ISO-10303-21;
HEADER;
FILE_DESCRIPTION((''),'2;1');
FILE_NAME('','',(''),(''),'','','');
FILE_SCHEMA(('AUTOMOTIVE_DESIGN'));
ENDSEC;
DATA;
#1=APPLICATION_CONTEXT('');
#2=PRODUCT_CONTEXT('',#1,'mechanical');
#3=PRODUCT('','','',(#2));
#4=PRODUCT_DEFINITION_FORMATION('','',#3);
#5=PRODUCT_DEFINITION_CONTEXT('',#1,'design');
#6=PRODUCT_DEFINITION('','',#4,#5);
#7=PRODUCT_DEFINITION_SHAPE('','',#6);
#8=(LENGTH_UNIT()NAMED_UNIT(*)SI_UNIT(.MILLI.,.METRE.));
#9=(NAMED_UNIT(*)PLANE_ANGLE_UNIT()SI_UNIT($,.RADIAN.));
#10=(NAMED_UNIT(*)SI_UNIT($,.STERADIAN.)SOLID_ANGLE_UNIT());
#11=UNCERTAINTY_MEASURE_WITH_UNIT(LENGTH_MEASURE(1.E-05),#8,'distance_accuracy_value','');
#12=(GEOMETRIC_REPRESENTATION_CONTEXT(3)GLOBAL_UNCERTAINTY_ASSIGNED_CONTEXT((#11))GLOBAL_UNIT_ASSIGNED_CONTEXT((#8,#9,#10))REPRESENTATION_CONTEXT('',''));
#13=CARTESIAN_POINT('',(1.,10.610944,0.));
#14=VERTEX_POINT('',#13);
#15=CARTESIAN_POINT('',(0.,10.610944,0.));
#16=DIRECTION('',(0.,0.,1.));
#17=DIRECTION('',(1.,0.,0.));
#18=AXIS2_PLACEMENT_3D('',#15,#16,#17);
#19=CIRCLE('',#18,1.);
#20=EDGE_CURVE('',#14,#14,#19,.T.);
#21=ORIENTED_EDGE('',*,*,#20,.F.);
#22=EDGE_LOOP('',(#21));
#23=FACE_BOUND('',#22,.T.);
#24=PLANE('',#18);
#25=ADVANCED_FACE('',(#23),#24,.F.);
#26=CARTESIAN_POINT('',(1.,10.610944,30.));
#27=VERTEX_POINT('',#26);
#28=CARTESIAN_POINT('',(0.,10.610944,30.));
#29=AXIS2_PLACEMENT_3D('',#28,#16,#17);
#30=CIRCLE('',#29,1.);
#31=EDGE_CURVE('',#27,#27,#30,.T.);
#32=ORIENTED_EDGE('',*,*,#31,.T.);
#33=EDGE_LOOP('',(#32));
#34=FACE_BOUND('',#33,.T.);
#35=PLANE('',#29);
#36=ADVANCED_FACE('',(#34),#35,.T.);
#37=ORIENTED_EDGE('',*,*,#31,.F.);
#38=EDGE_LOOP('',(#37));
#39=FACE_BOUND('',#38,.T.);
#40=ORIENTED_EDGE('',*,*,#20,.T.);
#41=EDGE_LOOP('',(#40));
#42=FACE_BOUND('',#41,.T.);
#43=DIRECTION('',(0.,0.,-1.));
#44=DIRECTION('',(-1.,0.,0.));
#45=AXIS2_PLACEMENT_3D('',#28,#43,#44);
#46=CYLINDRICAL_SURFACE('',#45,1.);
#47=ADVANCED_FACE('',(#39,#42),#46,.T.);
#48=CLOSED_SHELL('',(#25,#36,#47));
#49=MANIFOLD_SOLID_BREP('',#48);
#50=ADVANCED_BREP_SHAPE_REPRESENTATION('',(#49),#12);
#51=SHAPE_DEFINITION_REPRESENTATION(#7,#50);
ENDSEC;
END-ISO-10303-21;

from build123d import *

# Parameters (mm, degrees)
SKETCH1_R           = 1
BOSS_EXTRUDE1_DEPTH = 30


with BuildPart() as part:
    # Sketch1 → Boss-Extrude1 (new body)
    with BuildSketch(Plane.XY):
        with Locations((0, 10.610944307)):
            Circle(SKETCH1_R)
    extrude(amount=BOSS_EXTRUDE1_DEPTH)


solid = part.part
